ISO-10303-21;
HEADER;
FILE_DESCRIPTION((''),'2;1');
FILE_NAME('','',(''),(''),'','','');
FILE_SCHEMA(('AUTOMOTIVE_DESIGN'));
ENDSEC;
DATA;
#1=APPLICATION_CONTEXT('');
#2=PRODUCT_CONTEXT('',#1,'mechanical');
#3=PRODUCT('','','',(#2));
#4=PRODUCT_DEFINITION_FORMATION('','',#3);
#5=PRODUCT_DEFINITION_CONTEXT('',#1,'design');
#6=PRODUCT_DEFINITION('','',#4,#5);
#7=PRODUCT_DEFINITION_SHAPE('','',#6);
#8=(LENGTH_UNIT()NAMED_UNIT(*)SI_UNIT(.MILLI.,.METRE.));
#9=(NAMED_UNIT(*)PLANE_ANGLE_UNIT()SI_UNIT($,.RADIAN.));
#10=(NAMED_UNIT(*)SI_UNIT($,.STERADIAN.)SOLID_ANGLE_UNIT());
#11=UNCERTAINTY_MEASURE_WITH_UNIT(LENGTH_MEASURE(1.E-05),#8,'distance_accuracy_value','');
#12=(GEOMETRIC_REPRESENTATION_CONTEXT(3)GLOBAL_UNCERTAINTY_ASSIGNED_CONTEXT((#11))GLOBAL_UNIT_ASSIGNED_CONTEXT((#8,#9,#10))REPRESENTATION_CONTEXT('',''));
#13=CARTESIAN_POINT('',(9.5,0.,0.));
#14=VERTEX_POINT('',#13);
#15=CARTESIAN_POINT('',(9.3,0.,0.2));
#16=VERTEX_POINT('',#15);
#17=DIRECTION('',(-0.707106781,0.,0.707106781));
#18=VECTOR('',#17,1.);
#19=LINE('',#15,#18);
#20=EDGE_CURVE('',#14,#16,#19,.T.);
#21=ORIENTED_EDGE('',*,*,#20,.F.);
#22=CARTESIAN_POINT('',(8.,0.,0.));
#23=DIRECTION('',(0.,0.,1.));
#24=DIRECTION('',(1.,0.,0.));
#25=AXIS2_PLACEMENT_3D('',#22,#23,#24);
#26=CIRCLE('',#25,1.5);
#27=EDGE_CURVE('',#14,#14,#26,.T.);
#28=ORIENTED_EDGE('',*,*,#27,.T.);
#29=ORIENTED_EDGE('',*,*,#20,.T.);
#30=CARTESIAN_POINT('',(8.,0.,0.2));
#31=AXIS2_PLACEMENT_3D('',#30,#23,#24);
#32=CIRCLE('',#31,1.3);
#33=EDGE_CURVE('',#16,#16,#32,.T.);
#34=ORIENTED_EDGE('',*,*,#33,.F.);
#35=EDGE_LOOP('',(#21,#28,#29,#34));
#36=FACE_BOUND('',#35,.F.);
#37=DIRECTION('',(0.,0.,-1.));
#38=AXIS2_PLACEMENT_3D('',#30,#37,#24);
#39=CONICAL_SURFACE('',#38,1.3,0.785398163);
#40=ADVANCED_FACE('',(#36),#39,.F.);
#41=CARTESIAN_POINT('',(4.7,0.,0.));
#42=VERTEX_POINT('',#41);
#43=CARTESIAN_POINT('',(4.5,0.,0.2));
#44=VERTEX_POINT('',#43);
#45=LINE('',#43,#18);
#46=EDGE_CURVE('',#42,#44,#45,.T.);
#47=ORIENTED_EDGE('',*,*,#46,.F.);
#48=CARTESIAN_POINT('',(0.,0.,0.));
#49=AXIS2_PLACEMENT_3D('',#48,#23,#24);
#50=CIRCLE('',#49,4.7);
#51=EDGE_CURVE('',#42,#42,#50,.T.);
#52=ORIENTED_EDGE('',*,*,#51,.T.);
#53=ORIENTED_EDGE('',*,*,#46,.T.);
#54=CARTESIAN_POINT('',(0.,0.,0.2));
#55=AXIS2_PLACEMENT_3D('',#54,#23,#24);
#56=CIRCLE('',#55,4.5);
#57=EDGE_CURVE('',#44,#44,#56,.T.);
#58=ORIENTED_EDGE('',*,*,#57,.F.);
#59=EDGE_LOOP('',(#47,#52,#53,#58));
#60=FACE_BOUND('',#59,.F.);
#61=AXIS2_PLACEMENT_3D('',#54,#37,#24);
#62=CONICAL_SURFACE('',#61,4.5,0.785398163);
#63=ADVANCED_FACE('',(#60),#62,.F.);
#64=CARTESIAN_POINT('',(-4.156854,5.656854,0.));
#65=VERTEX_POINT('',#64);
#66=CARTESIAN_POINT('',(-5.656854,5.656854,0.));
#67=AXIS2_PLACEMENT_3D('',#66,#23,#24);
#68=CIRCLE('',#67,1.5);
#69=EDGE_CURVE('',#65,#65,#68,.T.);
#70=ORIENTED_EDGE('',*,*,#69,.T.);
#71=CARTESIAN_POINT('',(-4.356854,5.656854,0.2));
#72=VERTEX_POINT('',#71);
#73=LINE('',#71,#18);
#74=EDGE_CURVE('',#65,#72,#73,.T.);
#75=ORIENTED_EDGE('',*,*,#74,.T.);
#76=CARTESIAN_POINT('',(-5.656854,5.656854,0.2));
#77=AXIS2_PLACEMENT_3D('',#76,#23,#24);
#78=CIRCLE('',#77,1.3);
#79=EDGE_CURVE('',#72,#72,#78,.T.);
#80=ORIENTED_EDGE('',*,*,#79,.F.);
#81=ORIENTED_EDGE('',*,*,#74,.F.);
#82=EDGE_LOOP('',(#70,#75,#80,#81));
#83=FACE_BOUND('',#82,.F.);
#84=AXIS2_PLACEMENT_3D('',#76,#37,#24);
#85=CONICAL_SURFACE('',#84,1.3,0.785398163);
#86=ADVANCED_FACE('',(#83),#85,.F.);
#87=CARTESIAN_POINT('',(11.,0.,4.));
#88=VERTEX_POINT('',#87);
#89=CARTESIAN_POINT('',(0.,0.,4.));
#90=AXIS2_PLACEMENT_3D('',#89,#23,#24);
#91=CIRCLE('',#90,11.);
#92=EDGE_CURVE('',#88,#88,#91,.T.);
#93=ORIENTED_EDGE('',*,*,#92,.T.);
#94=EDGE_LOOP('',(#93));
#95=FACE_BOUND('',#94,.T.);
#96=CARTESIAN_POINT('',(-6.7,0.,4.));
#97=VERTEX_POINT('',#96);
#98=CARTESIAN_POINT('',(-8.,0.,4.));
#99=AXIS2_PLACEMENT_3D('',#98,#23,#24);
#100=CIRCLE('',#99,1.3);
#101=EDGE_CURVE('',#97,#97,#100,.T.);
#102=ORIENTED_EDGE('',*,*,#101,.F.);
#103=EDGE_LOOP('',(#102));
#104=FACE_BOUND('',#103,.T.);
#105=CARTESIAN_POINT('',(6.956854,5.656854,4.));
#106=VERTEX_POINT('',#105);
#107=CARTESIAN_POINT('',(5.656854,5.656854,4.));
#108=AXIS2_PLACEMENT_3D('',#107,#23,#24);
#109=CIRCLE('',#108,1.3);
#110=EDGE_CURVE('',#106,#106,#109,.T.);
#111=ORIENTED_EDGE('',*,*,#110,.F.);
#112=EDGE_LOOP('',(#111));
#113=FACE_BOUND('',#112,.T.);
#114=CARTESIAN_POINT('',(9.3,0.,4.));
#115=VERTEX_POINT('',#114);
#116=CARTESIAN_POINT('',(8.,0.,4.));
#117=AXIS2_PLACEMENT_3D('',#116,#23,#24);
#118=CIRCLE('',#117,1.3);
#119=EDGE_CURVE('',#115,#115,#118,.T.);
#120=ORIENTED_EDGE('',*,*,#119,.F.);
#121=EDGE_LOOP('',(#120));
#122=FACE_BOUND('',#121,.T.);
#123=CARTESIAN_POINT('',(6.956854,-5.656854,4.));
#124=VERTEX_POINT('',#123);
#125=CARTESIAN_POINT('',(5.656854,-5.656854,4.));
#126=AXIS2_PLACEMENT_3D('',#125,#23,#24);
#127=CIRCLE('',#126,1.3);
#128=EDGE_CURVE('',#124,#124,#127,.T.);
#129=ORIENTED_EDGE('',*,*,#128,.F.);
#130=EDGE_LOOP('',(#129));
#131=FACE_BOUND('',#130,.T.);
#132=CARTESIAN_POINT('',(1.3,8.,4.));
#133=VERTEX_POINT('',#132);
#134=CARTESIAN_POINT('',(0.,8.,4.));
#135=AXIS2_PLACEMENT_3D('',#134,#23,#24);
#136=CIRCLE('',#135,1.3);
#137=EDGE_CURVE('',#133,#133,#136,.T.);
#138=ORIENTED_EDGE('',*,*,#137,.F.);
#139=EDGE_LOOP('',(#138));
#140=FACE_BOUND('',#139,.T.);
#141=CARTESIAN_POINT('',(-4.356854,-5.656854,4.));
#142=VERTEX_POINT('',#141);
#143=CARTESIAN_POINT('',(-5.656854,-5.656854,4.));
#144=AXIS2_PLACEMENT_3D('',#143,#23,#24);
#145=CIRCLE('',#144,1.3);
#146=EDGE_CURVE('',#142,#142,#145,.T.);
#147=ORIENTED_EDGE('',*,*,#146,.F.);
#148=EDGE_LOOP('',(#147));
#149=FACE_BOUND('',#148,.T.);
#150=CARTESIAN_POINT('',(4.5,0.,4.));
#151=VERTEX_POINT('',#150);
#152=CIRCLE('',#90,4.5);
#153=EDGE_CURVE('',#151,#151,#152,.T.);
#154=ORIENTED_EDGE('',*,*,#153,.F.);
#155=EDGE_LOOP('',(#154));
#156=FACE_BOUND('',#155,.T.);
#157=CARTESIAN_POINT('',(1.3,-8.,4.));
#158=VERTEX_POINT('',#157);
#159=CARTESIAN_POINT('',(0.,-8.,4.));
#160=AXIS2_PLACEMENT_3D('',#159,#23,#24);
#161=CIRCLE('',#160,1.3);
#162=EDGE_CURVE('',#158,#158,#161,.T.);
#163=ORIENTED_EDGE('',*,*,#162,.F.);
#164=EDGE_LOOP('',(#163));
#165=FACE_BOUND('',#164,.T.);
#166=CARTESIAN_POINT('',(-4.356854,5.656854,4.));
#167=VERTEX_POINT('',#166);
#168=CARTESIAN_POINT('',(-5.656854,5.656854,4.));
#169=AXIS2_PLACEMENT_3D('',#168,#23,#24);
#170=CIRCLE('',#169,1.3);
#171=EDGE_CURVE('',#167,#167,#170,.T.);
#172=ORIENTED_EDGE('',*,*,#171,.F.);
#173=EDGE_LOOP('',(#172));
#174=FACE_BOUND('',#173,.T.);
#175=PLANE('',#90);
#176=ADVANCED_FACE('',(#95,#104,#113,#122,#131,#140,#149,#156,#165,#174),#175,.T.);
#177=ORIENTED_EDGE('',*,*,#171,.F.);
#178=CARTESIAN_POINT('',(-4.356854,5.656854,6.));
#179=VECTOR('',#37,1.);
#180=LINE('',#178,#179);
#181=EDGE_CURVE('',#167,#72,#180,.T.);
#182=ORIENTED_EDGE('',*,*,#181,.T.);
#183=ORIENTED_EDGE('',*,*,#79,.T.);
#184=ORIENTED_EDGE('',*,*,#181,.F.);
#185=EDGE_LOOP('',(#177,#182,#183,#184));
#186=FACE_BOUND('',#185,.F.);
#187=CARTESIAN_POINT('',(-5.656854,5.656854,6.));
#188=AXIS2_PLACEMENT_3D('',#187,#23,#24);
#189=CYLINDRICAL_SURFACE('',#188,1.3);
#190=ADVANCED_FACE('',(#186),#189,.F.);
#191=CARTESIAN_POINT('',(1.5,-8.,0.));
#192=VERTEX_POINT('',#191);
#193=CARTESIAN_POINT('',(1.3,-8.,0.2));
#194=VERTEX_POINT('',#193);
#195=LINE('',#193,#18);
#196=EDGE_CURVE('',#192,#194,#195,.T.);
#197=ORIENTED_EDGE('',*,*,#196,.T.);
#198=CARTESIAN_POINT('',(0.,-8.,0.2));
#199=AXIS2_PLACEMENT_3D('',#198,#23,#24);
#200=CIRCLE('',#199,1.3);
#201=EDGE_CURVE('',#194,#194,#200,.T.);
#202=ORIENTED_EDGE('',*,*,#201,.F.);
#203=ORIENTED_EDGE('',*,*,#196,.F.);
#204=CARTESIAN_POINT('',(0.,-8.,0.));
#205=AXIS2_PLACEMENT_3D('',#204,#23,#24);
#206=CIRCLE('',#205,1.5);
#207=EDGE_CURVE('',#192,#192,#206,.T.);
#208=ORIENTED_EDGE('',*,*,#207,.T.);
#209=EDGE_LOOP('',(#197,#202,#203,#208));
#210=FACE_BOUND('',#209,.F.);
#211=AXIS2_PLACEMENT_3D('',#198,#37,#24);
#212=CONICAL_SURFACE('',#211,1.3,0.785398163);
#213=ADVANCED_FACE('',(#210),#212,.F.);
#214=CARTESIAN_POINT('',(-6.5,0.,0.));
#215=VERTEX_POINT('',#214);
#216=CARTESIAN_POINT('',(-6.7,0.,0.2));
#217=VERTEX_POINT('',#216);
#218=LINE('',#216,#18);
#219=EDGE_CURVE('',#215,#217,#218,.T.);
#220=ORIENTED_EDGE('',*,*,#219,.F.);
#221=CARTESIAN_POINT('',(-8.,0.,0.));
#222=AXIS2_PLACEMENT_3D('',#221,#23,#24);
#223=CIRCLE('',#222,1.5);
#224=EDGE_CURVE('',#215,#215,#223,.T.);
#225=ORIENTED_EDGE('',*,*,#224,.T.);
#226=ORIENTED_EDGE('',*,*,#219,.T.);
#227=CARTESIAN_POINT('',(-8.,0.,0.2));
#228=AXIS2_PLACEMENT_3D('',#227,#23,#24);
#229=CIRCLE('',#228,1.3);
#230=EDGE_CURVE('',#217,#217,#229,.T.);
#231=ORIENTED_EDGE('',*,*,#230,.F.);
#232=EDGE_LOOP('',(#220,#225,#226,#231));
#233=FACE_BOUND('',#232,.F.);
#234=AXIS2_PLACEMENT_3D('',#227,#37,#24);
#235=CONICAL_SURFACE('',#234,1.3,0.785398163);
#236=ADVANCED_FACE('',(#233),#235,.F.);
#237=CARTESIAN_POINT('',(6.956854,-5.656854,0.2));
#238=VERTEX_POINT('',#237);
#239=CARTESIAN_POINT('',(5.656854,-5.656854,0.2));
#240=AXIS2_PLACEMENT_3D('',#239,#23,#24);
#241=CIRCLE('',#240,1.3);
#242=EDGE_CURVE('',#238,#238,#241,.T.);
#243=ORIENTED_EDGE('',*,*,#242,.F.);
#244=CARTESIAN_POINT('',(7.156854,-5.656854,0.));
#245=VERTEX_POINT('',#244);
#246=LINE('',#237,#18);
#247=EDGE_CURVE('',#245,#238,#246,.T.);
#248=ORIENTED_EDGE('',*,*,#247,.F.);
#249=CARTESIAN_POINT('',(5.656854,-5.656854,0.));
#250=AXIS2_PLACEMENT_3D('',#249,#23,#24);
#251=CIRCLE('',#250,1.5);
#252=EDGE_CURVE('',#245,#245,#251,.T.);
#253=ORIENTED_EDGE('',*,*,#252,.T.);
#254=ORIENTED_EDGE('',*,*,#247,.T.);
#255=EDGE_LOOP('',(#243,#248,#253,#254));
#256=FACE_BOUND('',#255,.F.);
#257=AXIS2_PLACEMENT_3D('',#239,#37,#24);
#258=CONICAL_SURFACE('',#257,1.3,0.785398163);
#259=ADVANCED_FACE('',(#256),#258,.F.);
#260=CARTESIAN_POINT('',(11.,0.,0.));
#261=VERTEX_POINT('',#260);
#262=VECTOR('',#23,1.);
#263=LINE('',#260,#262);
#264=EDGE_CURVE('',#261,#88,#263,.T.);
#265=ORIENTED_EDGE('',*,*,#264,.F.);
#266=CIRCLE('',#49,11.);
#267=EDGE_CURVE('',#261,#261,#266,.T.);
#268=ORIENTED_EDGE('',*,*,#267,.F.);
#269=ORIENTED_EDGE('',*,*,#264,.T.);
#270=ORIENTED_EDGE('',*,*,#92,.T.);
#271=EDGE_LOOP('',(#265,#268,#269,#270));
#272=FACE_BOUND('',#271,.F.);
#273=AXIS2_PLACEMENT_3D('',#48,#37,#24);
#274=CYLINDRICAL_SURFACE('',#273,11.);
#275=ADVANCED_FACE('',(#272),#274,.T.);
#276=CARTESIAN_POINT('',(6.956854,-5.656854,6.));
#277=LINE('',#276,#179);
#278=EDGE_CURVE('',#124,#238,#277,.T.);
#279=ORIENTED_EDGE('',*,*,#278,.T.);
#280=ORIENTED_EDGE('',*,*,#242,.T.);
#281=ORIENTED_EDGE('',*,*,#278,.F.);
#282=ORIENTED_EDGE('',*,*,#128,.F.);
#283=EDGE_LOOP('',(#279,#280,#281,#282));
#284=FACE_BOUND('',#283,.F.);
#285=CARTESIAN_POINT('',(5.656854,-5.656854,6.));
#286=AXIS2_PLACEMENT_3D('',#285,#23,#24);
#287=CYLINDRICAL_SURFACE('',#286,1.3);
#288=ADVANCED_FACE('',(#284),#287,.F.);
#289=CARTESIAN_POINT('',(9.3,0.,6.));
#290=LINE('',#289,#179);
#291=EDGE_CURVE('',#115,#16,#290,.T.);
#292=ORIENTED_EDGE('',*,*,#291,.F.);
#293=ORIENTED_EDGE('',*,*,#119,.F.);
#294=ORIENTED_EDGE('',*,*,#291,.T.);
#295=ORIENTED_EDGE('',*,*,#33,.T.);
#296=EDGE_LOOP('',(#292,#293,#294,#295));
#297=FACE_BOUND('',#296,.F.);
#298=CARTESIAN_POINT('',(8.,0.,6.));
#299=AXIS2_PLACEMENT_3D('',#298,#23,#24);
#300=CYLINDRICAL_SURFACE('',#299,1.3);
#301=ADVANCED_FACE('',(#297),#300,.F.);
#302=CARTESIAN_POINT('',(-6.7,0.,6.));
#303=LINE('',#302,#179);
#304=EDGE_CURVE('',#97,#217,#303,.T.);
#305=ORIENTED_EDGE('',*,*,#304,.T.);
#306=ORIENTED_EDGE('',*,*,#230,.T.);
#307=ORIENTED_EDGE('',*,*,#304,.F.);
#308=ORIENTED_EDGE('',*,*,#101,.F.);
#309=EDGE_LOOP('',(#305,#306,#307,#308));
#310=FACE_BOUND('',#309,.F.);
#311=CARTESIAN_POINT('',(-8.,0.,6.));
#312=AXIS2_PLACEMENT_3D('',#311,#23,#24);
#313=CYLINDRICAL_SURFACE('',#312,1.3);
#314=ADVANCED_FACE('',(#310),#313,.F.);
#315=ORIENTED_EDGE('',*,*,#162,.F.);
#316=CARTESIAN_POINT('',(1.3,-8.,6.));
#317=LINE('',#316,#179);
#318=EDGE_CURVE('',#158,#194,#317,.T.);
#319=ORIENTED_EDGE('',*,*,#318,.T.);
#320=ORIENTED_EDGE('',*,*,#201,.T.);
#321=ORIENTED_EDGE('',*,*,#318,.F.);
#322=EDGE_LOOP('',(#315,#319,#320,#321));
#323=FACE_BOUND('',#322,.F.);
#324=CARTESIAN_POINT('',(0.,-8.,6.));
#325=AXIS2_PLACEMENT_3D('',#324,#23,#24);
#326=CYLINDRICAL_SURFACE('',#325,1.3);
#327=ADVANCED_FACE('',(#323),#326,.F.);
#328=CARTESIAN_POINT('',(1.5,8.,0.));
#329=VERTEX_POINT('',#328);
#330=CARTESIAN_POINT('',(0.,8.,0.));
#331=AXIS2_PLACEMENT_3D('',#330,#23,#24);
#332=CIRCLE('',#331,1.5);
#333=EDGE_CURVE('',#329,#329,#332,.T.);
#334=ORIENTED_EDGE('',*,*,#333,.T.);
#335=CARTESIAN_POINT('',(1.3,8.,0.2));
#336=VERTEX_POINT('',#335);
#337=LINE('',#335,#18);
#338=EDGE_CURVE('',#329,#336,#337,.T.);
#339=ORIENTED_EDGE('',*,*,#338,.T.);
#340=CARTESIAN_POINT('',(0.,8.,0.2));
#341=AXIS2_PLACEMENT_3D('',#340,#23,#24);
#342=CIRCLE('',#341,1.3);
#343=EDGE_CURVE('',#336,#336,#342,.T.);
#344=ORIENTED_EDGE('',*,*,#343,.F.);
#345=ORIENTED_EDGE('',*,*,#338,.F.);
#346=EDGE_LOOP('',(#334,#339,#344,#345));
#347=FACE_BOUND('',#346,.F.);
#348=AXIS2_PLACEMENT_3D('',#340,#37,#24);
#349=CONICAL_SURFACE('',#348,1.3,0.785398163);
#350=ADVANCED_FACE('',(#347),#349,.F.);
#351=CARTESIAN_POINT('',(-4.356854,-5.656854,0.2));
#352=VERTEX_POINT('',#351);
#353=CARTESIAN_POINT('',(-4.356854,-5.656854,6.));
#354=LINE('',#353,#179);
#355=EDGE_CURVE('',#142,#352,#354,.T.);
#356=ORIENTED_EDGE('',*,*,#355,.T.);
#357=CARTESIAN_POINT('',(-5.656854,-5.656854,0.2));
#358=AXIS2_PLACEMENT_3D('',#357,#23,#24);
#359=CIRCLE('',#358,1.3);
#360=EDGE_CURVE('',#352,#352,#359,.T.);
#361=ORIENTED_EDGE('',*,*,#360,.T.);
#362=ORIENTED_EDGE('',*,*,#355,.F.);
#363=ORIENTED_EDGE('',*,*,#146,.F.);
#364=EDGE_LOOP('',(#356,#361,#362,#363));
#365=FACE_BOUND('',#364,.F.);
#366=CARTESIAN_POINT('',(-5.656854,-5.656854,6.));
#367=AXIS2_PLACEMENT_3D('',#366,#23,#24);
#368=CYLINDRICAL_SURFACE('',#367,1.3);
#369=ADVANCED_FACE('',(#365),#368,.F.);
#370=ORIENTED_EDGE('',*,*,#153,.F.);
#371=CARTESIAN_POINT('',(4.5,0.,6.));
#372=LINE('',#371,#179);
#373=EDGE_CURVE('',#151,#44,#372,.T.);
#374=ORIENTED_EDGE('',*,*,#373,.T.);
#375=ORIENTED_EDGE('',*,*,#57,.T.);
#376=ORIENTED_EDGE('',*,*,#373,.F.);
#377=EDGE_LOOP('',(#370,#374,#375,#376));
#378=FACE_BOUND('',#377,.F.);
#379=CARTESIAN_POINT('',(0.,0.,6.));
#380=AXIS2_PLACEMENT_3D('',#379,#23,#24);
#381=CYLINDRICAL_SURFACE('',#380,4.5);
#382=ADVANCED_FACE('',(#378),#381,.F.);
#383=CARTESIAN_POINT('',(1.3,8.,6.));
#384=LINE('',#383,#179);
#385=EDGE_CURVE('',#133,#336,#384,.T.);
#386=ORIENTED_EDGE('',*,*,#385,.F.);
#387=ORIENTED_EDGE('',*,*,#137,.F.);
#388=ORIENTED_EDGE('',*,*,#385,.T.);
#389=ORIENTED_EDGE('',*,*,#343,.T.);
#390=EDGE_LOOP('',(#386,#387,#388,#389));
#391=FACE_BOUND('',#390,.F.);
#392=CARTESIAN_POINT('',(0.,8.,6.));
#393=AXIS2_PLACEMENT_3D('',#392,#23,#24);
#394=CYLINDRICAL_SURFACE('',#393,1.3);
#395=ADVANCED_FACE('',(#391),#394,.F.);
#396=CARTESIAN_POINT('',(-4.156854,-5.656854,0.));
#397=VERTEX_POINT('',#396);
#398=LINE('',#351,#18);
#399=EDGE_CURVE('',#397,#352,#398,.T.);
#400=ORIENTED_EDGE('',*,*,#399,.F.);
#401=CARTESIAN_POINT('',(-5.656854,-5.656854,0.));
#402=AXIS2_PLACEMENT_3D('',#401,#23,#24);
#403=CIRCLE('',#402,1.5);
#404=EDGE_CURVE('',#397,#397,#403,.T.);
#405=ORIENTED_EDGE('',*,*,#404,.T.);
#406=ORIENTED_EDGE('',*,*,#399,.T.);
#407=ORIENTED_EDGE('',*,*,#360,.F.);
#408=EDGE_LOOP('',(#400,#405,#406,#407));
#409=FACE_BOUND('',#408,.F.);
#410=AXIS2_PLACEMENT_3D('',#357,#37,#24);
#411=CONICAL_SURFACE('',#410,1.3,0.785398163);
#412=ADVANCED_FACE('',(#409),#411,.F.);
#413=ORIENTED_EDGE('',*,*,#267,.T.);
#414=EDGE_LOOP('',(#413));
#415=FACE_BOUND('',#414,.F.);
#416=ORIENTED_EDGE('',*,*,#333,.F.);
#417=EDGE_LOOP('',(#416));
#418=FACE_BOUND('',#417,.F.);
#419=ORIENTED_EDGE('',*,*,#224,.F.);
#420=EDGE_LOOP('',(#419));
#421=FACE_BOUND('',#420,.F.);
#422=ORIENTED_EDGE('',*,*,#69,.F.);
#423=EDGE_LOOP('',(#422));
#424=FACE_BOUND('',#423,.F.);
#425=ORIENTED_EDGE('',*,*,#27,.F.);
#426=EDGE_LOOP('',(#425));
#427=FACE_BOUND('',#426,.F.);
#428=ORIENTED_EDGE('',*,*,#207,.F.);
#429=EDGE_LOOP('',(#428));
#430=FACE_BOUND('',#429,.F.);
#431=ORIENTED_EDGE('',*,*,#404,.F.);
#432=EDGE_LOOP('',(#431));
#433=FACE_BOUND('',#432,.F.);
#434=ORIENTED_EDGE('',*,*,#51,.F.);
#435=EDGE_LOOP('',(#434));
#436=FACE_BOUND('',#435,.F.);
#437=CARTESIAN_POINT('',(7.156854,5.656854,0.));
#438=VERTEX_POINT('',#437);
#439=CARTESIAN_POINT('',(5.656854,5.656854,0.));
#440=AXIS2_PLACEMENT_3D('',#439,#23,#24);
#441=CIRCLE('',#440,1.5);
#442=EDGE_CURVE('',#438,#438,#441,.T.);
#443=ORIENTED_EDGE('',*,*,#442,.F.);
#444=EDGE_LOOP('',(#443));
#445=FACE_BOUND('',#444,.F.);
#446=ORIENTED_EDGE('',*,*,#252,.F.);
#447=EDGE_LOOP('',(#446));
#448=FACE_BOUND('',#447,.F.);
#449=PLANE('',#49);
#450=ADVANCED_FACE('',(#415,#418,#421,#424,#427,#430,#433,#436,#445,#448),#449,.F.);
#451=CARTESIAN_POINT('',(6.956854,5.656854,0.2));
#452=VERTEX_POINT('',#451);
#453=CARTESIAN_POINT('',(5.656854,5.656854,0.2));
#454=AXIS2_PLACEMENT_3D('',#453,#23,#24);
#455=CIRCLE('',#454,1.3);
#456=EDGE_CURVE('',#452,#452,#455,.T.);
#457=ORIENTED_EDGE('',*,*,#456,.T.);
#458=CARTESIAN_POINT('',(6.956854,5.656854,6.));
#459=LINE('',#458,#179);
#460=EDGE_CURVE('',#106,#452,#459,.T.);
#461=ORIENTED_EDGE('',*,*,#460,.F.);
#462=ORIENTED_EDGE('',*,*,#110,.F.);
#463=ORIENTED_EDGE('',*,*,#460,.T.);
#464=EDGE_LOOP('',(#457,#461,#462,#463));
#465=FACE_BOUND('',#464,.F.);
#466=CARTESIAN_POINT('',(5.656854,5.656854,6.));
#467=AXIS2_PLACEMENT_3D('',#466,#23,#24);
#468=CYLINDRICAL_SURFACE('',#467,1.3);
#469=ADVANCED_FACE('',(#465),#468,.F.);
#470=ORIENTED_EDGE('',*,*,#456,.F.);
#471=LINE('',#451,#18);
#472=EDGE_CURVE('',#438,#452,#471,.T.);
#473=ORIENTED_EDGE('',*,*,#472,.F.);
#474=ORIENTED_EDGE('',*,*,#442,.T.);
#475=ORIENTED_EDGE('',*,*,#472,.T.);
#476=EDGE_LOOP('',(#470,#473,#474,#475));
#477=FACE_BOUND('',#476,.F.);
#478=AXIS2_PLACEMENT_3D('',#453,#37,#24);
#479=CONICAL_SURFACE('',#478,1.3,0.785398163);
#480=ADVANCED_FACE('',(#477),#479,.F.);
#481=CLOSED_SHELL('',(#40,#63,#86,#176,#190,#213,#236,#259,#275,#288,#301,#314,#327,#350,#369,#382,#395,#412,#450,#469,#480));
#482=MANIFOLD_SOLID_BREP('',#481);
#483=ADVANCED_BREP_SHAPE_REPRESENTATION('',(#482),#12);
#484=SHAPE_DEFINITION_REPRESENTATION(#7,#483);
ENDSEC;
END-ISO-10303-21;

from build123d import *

# Parameters (mm, degrees)
SKETCH_R        = 11
PAD_DEPTH       = 4
SKETCH002_R     = 4.5
SKETCH002_R_2   = 1.3
POCKET001_DEPTH = 10
CHAMFER_SIZE    = 0.2


with BuildPart() as part:
    # Sketch → Pad (new body)
    with BuildSketch(Plane.XY):
        Circle(SKETCH_R)
    extrude(amount=PAD_DEPTH)

    # Sketch002 → Pocket001 (cut)
    with BuildSketch(Plane.XY.offset(6)):
        Circle(SKETCH002_R)
        with Locations((0, 8)):
            Circle(SKETCH002_R_2)
        with Locations((5.656854, 5.656854)):
            Circle(SKETCH002_R_2)
        with Locations((8, 0)):
            Circle(SKETCH002_R_2)
        with Locations((5.656854, -5.656854)):
            Circle(SKETCH002_R_2)
        with Locations((0, -8)):
            Circle(SKETCH002_R_2)
        with Locations((-5.656854, -5.656854)):
            Circle(SKETCH002_R_2)
        with Locations((-8, 0)):
            Circle(SKETCH002_R_2)
        with Locations((-5.656854, 5.656854)):
            Circle(SKETCH002_R_2)
    extrude(amount=-POCKET001_DEPTH, mode=Mode.SUBTRACT)

    # Chamfer
    chamfer_edges = [part.edges().sort_by_distance(p)[0] for p in [
        (4.356854, 5.656854, 0),
        (-6.956854, 5.656854, 0),
        (4.356854, -5.656854, 0),
        (-9.3, 0, 0),
        (-6.956854, -5.656854, 0),
        (-1.3, -8, 0),
        (-1.3, 8, 0),
        (-4.5, 0, 0),
        (6.7, 0, 0),
    ]]
    chamfer(chamfer_edges, length=CHAMFER_SIZE)


solid = part.part
